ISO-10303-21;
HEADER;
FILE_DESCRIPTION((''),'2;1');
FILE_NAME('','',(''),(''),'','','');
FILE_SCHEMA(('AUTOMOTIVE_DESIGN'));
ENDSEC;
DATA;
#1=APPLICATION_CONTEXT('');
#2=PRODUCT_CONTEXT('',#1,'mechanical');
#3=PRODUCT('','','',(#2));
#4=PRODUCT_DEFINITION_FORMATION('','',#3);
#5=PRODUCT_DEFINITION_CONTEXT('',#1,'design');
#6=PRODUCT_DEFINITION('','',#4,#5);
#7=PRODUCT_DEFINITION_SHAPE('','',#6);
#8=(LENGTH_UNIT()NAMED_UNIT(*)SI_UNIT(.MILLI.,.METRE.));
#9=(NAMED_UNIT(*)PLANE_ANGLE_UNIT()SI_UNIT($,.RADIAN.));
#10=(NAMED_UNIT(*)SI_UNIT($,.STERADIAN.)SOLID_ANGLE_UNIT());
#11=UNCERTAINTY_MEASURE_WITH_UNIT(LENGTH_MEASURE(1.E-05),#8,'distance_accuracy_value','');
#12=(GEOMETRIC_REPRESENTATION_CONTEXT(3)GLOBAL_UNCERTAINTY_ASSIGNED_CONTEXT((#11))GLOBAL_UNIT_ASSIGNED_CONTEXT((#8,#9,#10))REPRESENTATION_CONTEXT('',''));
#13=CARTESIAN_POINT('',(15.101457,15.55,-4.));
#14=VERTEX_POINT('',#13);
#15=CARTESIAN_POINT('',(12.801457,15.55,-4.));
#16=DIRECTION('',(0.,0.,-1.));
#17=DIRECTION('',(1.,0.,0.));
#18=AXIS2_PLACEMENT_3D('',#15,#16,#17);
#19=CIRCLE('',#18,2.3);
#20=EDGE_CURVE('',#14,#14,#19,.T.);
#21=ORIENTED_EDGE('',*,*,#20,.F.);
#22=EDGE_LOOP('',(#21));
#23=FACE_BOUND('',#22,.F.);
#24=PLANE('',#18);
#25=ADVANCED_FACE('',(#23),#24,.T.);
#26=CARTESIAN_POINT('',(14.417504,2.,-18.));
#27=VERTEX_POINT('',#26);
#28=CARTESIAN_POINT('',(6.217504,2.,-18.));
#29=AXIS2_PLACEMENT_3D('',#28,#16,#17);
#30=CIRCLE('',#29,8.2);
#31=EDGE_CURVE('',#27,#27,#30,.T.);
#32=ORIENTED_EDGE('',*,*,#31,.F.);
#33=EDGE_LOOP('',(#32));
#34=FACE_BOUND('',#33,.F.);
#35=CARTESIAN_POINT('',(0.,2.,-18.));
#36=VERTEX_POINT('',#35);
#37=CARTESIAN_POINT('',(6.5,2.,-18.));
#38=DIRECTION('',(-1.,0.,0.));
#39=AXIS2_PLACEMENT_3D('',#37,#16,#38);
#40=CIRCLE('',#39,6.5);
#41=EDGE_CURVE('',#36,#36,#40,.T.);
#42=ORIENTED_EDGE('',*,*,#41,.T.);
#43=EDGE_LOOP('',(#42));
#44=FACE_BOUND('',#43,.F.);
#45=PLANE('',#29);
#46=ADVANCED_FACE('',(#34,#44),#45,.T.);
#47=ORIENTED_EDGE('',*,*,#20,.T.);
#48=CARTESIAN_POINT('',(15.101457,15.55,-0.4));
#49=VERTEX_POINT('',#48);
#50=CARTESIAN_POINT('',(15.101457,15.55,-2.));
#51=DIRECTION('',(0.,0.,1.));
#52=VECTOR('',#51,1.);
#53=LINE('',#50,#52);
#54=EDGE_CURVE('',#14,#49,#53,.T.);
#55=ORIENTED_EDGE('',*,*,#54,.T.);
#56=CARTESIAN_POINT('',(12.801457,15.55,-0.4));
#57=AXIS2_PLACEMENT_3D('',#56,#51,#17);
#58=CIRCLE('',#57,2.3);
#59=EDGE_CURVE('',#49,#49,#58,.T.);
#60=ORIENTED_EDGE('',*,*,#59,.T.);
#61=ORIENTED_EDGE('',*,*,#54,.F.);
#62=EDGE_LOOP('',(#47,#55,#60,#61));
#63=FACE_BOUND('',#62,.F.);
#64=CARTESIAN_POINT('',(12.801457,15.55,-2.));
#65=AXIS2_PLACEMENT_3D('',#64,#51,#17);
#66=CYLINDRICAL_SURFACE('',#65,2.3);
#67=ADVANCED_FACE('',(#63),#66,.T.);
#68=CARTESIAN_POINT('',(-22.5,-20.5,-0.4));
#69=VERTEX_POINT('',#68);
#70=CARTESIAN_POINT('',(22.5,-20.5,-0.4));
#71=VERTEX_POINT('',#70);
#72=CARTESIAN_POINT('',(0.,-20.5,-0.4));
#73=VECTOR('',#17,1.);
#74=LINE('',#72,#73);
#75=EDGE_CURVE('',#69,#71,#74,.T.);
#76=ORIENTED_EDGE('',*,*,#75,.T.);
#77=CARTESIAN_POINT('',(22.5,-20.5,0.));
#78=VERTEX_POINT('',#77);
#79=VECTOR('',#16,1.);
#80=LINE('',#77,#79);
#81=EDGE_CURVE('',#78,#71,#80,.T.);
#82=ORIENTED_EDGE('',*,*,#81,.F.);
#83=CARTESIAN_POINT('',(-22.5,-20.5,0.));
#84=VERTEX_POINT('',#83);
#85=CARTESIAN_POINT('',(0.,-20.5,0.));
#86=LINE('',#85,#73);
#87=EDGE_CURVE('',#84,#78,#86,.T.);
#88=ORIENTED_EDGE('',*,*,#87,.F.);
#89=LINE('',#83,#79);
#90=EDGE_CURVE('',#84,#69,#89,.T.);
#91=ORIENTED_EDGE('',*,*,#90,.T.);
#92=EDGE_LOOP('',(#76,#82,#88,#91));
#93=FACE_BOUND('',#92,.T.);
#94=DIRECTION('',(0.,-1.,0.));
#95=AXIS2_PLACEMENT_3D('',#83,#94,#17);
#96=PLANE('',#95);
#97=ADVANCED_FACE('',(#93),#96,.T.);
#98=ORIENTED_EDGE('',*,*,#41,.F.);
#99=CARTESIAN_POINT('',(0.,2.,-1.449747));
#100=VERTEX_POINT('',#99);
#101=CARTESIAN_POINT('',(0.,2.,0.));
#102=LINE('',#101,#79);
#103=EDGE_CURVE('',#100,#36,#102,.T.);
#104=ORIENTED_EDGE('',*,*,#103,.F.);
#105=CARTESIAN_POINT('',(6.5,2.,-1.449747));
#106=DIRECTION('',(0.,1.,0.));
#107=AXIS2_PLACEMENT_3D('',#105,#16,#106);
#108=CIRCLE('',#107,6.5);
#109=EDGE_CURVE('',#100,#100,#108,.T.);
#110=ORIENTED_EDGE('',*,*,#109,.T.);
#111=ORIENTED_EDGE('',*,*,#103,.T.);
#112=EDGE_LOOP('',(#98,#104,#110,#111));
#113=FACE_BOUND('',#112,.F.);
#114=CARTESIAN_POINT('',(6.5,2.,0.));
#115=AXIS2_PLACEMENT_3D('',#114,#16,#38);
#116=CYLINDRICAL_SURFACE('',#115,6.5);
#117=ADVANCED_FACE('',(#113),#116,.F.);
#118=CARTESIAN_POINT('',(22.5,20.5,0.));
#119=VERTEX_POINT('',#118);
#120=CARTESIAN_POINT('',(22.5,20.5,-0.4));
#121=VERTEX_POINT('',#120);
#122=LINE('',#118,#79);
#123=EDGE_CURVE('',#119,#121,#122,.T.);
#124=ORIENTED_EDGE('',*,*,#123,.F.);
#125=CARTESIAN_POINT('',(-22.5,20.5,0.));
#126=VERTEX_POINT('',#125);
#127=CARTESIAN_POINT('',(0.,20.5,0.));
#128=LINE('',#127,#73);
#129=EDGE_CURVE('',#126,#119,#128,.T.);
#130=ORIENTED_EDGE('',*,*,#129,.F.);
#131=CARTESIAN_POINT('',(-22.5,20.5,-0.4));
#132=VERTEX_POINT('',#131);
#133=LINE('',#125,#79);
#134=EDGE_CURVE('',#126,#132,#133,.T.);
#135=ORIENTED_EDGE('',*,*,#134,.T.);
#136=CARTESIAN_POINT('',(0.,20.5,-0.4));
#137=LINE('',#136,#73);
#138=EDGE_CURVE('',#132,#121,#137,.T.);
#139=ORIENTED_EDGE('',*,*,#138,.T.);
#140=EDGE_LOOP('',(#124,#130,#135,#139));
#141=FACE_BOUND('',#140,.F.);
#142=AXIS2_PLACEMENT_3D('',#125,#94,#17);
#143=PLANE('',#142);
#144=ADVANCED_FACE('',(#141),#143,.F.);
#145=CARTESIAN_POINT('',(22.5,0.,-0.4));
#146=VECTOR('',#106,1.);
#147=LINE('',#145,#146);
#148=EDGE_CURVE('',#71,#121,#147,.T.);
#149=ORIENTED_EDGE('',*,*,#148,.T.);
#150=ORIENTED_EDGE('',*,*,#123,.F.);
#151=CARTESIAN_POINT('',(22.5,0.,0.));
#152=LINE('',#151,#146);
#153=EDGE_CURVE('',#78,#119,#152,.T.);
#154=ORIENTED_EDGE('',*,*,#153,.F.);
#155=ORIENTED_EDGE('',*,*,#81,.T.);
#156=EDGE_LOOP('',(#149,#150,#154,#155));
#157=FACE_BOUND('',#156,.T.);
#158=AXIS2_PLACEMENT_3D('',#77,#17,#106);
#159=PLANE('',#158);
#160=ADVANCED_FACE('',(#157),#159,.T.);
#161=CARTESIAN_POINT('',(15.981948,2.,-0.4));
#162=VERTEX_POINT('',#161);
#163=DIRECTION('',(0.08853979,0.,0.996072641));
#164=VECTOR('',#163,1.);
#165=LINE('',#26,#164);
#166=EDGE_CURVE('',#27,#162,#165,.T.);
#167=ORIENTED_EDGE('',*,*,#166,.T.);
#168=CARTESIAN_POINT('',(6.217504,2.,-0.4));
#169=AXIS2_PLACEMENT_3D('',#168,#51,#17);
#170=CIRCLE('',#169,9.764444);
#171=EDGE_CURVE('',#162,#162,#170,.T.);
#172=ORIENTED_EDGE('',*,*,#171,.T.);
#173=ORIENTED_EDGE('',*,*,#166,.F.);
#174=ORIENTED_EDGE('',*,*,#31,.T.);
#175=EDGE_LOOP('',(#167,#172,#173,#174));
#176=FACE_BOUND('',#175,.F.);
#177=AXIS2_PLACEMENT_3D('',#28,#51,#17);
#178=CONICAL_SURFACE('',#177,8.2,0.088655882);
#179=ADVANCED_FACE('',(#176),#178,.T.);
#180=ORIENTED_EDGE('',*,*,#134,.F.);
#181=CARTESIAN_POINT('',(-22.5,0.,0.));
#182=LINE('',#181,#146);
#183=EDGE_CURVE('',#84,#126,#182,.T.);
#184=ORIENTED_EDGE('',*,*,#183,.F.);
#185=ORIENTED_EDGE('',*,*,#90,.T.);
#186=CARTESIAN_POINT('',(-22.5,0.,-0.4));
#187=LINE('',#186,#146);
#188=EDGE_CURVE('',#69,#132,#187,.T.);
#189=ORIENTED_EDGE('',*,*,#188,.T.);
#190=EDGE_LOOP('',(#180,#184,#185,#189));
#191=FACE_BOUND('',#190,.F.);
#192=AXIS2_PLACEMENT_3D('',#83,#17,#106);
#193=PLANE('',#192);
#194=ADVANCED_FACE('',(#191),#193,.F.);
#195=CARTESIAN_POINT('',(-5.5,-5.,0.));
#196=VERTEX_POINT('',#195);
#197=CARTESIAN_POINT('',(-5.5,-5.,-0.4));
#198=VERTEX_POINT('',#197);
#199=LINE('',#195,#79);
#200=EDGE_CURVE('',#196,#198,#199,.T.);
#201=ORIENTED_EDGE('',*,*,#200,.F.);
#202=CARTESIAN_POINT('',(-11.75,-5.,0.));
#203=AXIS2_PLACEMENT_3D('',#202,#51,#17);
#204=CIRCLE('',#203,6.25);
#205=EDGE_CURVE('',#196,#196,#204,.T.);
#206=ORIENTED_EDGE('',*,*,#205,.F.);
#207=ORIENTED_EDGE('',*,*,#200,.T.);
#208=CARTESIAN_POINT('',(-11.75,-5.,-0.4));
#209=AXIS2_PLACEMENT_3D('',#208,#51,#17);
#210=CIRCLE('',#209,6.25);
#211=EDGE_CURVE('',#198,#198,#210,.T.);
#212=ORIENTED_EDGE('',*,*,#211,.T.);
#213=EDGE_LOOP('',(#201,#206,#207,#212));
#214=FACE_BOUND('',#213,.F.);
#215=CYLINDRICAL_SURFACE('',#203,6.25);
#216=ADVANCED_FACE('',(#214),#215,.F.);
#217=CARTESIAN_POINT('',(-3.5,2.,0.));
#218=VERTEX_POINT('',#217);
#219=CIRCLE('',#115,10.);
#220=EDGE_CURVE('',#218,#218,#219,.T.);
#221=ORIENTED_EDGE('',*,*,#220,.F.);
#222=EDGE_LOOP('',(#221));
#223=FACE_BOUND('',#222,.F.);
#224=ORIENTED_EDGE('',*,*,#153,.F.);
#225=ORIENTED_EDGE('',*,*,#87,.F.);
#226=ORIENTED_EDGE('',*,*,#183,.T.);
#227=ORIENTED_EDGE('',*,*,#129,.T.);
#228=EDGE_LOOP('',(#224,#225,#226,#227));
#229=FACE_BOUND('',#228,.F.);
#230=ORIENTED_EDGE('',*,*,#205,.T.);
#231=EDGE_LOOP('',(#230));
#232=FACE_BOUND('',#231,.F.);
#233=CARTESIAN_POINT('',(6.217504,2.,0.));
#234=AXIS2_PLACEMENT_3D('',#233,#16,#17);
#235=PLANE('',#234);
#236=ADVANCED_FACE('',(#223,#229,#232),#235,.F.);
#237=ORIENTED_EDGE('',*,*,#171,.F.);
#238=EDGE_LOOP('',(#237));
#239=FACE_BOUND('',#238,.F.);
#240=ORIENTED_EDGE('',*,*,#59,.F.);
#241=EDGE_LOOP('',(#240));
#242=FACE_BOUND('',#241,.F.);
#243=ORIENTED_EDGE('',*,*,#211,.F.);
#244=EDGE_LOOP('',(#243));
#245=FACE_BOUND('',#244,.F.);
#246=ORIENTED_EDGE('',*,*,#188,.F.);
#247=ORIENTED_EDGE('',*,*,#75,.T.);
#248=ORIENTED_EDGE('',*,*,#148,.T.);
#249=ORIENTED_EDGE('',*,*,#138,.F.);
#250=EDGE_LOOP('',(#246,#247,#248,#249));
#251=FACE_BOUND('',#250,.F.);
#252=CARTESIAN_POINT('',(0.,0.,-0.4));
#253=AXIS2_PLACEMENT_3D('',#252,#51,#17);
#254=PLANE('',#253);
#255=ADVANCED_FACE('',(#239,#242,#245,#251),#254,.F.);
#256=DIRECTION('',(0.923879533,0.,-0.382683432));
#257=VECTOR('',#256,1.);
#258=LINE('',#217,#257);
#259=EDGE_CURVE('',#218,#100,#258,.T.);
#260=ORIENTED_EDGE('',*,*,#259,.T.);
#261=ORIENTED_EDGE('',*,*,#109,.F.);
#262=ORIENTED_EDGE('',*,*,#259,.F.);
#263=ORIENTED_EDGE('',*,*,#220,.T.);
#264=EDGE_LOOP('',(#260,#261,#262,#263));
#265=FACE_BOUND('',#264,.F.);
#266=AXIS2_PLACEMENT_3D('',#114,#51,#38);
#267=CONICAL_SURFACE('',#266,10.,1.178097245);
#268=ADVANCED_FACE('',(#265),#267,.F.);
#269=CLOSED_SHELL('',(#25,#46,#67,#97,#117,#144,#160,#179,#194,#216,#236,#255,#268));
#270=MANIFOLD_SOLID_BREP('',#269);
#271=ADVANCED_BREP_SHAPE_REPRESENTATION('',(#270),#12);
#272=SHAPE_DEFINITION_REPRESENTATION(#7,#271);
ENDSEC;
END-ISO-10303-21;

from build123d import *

# Parameters (mm, degrees)
F0_W           = 45
F0_H           = 41
F0_R           = 6.25
F1_DEPTH       = 0.4
F5_D           = 13
F5_CSINK_D     = 20
F5_CSINK_ANGLE = 135
F7_W           = 2.3
F7_H           = 4


with BuildPart() as f1:
    # F0 (on Top) → F1 (new body)
    with BuildSketch(Plane.XY):
        Rectangle(F0_W, F0_H)
        with Locations((-11.75, -5)):
            Circle(F0_R, mode=Mode.SUBTRACT)
    extrude(amount=-F1_DEPTH)

    # F3 (on plane+point) → F4 (revolve)
    with BuildSketch(Plane.XZ.offset(-2)):
        Polygon((16.0175038762, 0), (6.2175038762, 0), (6.2175038762, -18), (14.4175038762, -18), align=None)
    revolve(axis=Axis((6.2175038762, 2, -9), (0, 0, -1)))

    # F5 (through all)
    with Locations(Plane.XY):
        with Locations((6.5, 2)):
            CounterSinkHole(F5_D / 2, F5_CSINK_D / 2, counter_sink_angle=F5_CSINK_ANGLE)

    # F7 (on plane+point) → F8 (revolve)
    with BuildSketch(Plane.XZ.offset(-15.55)):
        with Locations((13.9514571965, -2)):
            Rectangle(F7_W, F7_H)
    revolve(axis=Axis((12.8014571965, 15.55, -2), (0, 0, -1)))


solid = f1.part
